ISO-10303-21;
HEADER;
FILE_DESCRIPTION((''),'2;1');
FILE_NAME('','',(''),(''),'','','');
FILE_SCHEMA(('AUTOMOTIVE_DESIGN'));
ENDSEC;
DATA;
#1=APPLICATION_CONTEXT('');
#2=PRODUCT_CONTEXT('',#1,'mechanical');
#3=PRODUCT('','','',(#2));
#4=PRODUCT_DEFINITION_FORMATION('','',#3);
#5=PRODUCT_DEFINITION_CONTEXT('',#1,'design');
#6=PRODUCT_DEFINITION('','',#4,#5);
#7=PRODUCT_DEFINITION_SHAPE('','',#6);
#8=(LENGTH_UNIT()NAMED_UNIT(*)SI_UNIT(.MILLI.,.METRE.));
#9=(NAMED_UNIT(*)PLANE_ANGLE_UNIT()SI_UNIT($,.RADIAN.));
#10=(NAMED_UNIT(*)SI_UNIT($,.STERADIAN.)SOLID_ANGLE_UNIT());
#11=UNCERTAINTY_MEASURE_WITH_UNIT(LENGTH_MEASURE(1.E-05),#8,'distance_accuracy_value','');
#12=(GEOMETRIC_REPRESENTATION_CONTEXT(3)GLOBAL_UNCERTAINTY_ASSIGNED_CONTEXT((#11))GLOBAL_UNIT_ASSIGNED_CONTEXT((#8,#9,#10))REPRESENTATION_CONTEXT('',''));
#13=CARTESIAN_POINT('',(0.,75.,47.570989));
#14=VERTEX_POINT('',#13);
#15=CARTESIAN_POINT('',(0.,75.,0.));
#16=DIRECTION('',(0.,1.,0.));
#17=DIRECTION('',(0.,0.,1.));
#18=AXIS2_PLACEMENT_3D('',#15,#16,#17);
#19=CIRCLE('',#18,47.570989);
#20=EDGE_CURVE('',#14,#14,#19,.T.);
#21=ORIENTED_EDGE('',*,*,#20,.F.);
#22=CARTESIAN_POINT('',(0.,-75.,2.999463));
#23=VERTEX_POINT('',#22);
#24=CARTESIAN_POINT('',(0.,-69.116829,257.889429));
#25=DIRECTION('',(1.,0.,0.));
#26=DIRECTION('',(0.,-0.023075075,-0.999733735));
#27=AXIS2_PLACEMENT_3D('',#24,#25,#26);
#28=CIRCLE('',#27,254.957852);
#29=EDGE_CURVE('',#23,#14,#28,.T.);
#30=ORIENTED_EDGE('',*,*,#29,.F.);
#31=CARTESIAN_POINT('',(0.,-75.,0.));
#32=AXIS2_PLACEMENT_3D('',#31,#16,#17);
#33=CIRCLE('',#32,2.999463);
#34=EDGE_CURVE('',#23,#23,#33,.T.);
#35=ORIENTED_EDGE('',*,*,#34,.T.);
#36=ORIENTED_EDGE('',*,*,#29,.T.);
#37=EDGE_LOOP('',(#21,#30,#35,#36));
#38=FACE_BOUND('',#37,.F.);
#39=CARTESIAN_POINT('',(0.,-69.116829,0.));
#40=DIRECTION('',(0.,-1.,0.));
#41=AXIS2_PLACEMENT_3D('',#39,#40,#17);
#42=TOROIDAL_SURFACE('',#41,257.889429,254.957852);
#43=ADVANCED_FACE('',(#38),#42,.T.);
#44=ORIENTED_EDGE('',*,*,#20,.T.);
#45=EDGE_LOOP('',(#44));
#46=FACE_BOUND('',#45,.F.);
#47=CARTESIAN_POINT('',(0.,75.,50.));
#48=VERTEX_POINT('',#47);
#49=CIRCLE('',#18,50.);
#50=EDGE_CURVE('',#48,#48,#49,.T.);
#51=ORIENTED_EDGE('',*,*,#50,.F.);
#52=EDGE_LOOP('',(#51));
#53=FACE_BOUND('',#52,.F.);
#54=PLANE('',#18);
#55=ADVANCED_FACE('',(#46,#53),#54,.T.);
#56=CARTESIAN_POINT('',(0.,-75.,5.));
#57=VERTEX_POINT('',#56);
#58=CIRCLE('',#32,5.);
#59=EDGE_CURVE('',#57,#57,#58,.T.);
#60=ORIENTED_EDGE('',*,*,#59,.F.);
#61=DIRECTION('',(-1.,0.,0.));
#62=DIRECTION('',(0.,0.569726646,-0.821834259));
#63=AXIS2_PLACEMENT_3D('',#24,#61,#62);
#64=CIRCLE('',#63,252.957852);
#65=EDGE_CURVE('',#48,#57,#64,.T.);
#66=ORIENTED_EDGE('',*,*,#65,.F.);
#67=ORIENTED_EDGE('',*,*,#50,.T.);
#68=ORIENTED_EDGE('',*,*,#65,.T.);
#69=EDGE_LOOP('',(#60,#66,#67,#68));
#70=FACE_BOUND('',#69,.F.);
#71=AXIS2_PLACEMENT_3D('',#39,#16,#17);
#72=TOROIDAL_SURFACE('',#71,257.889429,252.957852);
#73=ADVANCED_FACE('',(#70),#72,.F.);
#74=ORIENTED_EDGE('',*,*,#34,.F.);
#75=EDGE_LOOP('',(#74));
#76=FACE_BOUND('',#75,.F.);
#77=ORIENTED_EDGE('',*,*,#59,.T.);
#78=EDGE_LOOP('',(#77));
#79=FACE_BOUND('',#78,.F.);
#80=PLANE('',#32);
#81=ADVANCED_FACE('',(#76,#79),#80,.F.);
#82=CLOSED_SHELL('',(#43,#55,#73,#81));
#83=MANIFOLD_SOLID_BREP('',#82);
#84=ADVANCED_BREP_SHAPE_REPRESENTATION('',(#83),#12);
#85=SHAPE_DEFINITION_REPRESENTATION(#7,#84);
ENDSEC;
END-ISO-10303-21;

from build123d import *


with BuildPart() as f1:
    # F0 (on Right) → F1 (revolve)
    with BuildSketch(Plane.YZ):
        with BuildLine():
            Line((-75, 5), (-75, 2.999463))
            ThreePointArc((-75, 2.999463), (3.504045, 13.492794), (75, 47.570989))
            Line((75, 47.570989), (75, 50))
            ThreePointArc((75, 50), (3.570075, 15.599749), (-75, 5))
        make_face()
    revolve(axis=Axis((0, -8.248416, 0), (0, 1, 0)))


solid = f1.part
